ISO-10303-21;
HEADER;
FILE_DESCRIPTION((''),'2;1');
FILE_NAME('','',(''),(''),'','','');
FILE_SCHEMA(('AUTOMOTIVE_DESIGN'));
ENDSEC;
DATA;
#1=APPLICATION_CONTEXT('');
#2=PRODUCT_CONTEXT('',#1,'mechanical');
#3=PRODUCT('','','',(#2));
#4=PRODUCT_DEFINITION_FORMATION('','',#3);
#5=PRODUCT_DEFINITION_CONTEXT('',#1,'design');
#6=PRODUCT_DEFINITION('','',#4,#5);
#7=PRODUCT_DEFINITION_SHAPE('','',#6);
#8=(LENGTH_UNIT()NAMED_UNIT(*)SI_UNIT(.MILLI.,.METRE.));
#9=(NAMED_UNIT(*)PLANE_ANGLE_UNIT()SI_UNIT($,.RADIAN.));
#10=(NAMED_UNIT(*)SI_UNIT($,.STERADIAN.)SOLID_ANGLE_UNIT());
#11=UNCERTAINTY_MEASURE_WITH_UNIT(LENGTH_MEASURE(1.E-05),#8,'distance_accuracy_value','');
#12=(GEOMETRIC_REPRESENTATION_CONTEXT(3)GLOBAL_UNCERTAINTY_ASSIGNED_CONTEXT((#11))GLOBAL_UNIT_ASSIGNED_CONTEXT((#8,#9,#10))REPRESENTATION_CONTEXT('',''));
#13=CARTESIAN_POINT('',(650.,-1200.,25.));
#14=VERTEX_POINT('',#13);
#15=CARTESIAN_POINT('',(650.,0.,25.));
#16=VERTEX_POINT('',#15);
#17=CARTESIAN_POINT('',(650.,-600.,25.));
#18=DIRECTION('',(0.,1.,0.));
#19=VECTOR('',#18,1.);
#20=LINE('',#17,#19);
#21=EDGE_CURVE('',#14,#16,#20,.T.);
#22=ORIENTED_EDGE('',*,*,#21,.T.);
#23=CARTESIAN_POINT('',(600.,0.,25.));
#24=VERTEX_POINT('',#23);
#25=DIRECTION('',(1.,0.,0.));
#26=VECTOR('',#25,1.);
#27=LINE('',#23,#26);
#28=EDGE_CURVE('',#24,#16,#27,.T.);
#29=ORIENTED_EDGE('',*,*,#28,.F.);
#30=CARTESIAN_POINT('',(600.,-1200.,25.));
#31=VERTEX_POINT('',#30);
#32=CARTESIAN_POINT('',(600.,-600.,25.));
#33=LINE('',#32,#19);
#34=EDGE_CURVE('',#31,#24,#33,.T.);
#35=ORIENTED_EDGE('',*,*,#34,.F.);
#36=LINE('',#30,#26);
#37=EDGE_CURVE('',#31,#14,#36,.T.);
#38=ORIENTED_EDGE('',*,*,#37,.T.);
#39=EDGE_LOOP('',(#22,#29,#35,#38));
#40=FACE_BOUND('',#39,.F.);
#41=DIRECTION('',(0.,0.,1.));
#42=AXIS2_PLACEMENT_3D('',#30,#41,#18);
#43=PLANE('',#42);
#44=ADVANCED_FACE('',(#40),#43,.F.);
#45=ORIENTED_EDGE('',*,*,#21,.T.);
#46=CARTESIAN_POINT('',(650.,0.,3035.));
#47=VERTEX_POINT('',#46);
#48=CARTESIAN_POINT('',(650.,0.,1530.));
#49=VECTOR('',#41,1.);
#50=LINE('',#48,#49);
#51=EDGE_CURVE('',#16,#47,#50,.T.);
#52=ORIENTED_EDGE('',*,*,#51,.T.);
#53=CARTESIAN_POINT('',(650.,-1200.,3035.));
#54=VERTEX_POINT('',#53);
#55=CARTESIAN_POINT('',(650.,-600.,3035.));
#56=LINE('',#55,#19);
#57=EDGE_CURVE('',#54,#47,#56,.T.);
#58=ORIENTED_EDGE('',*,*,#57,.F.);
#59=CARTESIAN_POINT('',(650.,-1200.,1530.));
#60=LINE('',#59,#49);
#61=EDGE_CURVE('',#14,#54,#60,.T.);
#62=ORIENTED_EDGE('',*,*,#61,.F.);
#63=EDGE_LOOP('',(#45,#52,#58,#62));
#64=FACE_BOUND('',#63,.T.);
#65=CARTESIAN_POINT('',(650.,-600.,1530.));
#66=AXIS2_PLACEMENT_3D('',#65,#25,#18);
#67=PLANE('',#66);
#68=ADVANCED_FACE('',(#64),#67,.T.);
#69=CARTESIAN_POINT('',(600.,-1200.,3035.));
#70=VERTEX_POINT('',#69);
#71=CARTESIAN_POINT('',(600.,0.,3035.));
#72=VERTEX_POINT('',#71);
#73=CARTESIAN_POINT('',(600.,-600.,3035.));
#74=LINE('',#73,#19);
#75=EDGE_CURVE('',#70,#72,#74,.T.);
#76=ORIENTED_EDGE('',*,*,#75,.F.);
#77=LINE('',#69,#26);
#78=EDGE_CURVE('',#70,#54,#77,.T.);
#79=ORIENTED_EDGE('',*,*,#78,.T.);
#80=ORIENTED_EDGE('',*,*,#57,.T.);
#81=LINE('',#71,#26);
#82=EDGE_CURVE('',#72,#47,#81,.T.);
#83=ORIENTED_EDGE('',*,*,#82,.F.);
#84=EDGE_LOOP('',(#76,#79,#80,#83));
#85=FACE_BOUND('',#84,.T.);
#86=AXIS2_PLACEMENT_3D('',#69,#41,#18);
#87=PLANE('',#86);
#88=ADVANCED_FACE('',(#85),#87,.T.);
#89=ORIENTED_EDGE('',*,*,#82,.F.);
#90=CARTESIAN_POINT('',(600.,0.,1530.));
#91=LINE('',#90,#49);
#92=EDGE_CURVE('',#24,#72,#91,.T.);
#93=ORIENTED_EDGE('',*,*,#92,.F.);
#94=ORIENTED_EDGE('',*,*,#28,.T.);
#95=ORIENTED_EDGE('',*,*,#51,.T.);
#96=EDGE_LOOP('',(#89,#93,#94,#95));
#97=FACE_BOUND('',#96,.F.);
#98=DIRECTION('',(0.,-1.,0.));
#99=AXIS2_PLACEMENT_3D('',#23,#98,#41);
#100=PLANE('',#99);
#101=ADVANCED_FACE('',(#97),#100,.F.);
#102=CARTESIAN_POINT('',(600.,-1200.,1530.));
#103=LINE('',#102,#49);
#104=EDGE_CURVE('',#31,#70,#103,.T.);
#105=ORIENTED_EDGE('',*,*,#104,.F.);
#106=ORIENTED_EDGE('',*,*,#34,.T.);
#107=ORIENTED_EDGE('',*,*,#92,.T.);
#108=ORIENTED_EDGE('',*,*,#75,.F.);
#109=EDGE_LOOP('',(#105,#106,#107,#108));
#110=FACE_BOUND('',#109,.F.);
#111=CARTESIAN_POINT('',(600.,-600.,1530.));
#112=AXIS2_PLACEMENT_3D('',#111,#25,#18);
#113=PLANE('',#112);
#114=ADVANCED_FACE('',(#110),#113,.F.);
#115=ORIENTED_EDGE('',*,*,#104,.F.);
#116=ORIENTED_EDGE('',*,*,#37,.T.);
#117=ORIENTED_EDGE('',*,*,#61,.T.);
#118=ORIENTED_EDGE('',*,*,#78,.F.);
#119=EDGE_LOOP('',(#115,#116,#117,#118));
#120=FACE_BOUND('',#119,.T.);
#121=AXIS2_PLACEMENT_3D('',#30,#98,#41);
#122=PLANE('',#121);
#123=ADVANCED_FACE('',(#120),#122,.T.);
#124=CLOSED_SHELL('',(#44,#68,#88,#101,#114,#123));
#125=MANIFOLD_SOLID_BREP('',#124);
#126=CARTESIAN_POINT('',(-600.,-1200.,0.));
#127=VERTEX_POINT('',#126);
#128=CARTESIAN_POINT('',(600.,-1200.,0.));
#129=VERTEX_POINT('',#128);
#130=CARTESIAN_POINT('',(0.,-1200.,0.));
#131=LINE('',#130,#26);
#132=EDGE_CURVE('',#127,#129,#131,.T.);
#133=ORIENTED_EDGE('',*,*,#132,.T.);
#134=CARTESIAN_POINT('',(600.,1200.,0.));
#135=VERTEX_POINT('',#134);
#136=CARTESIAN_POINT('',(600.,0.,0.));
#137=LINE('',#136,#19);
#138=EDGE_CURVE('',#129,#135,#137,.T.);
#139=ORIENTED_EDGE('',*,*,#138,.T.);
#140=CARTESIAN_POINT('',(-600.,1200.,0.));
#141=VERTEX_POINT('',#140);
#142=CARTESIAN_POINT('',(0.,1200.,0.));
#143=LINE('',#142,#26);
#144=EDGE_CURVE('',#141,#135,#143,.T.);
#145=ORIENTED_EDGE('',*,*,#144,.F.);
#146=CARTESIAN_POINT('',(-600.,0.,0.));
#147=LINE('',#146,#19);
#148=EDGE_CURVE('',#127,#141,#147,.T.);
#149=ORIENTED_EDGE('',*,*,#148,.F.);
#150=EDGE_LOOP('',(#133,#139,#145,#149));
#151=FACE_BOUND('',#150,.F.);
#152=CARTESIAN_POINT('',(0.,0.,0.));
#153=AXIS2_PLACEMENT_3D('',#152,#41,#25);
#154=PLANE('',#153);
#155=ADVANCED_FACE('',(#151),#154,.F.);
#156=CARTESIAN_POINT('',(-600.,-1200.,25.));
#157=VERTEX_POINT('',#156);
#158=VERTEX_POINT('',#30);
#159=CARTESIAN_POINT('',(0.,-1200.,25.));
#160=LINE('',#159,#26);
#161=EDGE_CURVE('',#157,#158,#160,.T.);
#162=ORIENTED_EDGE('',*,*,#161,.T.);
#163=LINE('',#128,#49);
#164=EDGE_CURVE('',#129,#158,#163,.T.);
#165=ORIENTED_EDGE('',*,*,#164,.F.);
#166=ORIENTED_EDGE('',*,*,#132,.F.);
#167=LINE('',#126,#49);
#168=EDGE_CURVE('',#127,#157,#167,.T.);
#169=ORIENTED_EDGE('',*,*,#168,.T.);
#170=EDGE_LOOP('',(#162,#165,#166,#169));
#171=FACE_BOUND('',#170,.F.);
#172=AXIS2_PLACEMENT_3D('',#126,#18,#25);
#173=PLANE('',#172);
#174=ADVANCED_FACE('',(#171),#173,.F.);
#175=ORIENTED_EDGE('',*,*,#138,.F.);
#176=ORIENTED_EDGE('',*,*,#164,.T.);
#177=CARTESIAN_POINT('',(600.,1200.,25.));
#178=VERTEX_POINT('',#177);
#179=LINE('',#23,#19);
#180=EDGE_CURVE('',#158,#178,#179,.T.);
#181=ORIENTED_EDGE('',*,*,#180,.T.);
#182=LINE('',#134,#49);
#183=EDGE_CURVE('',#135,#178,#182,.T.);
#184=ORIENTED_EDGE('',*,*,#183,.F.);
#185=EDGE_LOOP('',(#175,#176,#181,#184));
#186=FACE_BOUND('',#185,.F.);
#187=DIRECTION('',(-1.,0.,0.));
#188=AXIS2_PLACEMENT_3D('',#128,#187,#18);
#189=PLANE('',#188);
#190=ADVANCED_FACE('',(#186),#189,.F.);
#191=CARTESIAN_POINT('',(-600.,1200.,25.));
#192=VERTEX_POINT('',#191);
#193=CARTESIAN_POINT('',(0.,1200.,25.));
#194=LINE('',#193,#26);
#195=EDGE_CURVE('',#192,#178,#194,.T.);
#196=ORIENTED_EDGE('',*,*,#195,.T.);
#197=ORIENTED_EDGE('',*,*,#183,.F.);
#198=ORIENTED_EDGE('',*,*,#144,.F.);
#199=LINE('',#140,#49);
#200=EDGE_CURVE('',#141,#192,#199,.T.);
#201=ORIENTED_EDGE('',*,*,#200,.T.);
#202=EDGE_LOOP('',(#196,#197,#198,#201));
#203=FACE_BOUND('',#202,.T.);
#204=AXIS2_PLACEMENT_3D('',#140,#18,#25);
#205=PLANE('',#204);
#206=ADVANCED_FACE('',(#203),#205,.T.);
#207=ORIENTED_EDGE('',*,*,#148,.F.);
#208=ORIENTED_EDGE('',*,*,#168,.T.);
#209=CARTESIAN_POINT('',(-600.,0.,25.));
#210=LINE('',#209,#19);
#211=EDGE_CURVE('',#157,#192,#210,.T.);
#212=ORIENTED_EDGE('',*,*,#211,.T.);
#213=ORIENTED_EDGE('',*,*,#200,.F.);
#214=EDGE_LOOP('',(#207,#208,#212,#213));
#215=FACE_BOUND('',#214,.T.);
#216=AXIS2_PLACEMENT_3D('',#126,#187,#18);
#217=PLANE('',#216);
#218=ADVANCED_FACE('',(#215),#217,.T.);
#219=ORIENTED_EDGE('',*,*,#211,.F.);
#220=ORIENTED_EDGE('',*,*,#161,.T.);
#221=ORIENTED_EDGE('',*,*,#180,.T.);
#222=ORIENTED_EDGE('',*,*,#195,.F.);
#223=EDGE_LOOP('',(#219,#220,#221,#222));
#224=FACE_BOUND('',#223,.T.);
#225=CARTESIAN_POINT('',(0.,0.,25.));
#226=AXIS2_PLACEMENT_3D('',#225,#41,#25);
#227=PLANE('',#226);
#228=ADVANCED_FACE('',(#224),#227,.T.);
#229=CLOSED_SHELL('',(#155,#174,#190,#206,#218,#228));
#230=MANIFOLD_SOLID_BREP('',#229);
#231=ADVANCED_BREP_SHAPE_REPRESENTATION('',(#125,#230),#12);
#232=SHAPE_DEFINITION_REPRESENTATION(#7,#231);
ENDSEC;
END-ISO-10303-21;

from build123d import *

# Parameters (mm, degrees)
F0_W     = 1200
F0_H     = 2400
F1_DEPTH = 25
F2_W     = 1200
F2_H     = 3010
F3_DEPTH = 50


with BuildPart() as f1:
    # F0 (on Top) → F1 (new body)
    with BuildSketch(Plane.XY):
        Rectangle(F0_W, F0_H)
    extrude(amount=F1_DEPTH)


with BuildPart() as f3:
    # F2 (on face) → F3 (new body)
    with BuildSketch(Plane.YZ.offset(600)):
        with Locations((-600, 1530)):
            Rectangle(F2_W, F2_H)
    extrude(amount=F3_DEPTH)


solid = Compound([f1.part, f3.part])
